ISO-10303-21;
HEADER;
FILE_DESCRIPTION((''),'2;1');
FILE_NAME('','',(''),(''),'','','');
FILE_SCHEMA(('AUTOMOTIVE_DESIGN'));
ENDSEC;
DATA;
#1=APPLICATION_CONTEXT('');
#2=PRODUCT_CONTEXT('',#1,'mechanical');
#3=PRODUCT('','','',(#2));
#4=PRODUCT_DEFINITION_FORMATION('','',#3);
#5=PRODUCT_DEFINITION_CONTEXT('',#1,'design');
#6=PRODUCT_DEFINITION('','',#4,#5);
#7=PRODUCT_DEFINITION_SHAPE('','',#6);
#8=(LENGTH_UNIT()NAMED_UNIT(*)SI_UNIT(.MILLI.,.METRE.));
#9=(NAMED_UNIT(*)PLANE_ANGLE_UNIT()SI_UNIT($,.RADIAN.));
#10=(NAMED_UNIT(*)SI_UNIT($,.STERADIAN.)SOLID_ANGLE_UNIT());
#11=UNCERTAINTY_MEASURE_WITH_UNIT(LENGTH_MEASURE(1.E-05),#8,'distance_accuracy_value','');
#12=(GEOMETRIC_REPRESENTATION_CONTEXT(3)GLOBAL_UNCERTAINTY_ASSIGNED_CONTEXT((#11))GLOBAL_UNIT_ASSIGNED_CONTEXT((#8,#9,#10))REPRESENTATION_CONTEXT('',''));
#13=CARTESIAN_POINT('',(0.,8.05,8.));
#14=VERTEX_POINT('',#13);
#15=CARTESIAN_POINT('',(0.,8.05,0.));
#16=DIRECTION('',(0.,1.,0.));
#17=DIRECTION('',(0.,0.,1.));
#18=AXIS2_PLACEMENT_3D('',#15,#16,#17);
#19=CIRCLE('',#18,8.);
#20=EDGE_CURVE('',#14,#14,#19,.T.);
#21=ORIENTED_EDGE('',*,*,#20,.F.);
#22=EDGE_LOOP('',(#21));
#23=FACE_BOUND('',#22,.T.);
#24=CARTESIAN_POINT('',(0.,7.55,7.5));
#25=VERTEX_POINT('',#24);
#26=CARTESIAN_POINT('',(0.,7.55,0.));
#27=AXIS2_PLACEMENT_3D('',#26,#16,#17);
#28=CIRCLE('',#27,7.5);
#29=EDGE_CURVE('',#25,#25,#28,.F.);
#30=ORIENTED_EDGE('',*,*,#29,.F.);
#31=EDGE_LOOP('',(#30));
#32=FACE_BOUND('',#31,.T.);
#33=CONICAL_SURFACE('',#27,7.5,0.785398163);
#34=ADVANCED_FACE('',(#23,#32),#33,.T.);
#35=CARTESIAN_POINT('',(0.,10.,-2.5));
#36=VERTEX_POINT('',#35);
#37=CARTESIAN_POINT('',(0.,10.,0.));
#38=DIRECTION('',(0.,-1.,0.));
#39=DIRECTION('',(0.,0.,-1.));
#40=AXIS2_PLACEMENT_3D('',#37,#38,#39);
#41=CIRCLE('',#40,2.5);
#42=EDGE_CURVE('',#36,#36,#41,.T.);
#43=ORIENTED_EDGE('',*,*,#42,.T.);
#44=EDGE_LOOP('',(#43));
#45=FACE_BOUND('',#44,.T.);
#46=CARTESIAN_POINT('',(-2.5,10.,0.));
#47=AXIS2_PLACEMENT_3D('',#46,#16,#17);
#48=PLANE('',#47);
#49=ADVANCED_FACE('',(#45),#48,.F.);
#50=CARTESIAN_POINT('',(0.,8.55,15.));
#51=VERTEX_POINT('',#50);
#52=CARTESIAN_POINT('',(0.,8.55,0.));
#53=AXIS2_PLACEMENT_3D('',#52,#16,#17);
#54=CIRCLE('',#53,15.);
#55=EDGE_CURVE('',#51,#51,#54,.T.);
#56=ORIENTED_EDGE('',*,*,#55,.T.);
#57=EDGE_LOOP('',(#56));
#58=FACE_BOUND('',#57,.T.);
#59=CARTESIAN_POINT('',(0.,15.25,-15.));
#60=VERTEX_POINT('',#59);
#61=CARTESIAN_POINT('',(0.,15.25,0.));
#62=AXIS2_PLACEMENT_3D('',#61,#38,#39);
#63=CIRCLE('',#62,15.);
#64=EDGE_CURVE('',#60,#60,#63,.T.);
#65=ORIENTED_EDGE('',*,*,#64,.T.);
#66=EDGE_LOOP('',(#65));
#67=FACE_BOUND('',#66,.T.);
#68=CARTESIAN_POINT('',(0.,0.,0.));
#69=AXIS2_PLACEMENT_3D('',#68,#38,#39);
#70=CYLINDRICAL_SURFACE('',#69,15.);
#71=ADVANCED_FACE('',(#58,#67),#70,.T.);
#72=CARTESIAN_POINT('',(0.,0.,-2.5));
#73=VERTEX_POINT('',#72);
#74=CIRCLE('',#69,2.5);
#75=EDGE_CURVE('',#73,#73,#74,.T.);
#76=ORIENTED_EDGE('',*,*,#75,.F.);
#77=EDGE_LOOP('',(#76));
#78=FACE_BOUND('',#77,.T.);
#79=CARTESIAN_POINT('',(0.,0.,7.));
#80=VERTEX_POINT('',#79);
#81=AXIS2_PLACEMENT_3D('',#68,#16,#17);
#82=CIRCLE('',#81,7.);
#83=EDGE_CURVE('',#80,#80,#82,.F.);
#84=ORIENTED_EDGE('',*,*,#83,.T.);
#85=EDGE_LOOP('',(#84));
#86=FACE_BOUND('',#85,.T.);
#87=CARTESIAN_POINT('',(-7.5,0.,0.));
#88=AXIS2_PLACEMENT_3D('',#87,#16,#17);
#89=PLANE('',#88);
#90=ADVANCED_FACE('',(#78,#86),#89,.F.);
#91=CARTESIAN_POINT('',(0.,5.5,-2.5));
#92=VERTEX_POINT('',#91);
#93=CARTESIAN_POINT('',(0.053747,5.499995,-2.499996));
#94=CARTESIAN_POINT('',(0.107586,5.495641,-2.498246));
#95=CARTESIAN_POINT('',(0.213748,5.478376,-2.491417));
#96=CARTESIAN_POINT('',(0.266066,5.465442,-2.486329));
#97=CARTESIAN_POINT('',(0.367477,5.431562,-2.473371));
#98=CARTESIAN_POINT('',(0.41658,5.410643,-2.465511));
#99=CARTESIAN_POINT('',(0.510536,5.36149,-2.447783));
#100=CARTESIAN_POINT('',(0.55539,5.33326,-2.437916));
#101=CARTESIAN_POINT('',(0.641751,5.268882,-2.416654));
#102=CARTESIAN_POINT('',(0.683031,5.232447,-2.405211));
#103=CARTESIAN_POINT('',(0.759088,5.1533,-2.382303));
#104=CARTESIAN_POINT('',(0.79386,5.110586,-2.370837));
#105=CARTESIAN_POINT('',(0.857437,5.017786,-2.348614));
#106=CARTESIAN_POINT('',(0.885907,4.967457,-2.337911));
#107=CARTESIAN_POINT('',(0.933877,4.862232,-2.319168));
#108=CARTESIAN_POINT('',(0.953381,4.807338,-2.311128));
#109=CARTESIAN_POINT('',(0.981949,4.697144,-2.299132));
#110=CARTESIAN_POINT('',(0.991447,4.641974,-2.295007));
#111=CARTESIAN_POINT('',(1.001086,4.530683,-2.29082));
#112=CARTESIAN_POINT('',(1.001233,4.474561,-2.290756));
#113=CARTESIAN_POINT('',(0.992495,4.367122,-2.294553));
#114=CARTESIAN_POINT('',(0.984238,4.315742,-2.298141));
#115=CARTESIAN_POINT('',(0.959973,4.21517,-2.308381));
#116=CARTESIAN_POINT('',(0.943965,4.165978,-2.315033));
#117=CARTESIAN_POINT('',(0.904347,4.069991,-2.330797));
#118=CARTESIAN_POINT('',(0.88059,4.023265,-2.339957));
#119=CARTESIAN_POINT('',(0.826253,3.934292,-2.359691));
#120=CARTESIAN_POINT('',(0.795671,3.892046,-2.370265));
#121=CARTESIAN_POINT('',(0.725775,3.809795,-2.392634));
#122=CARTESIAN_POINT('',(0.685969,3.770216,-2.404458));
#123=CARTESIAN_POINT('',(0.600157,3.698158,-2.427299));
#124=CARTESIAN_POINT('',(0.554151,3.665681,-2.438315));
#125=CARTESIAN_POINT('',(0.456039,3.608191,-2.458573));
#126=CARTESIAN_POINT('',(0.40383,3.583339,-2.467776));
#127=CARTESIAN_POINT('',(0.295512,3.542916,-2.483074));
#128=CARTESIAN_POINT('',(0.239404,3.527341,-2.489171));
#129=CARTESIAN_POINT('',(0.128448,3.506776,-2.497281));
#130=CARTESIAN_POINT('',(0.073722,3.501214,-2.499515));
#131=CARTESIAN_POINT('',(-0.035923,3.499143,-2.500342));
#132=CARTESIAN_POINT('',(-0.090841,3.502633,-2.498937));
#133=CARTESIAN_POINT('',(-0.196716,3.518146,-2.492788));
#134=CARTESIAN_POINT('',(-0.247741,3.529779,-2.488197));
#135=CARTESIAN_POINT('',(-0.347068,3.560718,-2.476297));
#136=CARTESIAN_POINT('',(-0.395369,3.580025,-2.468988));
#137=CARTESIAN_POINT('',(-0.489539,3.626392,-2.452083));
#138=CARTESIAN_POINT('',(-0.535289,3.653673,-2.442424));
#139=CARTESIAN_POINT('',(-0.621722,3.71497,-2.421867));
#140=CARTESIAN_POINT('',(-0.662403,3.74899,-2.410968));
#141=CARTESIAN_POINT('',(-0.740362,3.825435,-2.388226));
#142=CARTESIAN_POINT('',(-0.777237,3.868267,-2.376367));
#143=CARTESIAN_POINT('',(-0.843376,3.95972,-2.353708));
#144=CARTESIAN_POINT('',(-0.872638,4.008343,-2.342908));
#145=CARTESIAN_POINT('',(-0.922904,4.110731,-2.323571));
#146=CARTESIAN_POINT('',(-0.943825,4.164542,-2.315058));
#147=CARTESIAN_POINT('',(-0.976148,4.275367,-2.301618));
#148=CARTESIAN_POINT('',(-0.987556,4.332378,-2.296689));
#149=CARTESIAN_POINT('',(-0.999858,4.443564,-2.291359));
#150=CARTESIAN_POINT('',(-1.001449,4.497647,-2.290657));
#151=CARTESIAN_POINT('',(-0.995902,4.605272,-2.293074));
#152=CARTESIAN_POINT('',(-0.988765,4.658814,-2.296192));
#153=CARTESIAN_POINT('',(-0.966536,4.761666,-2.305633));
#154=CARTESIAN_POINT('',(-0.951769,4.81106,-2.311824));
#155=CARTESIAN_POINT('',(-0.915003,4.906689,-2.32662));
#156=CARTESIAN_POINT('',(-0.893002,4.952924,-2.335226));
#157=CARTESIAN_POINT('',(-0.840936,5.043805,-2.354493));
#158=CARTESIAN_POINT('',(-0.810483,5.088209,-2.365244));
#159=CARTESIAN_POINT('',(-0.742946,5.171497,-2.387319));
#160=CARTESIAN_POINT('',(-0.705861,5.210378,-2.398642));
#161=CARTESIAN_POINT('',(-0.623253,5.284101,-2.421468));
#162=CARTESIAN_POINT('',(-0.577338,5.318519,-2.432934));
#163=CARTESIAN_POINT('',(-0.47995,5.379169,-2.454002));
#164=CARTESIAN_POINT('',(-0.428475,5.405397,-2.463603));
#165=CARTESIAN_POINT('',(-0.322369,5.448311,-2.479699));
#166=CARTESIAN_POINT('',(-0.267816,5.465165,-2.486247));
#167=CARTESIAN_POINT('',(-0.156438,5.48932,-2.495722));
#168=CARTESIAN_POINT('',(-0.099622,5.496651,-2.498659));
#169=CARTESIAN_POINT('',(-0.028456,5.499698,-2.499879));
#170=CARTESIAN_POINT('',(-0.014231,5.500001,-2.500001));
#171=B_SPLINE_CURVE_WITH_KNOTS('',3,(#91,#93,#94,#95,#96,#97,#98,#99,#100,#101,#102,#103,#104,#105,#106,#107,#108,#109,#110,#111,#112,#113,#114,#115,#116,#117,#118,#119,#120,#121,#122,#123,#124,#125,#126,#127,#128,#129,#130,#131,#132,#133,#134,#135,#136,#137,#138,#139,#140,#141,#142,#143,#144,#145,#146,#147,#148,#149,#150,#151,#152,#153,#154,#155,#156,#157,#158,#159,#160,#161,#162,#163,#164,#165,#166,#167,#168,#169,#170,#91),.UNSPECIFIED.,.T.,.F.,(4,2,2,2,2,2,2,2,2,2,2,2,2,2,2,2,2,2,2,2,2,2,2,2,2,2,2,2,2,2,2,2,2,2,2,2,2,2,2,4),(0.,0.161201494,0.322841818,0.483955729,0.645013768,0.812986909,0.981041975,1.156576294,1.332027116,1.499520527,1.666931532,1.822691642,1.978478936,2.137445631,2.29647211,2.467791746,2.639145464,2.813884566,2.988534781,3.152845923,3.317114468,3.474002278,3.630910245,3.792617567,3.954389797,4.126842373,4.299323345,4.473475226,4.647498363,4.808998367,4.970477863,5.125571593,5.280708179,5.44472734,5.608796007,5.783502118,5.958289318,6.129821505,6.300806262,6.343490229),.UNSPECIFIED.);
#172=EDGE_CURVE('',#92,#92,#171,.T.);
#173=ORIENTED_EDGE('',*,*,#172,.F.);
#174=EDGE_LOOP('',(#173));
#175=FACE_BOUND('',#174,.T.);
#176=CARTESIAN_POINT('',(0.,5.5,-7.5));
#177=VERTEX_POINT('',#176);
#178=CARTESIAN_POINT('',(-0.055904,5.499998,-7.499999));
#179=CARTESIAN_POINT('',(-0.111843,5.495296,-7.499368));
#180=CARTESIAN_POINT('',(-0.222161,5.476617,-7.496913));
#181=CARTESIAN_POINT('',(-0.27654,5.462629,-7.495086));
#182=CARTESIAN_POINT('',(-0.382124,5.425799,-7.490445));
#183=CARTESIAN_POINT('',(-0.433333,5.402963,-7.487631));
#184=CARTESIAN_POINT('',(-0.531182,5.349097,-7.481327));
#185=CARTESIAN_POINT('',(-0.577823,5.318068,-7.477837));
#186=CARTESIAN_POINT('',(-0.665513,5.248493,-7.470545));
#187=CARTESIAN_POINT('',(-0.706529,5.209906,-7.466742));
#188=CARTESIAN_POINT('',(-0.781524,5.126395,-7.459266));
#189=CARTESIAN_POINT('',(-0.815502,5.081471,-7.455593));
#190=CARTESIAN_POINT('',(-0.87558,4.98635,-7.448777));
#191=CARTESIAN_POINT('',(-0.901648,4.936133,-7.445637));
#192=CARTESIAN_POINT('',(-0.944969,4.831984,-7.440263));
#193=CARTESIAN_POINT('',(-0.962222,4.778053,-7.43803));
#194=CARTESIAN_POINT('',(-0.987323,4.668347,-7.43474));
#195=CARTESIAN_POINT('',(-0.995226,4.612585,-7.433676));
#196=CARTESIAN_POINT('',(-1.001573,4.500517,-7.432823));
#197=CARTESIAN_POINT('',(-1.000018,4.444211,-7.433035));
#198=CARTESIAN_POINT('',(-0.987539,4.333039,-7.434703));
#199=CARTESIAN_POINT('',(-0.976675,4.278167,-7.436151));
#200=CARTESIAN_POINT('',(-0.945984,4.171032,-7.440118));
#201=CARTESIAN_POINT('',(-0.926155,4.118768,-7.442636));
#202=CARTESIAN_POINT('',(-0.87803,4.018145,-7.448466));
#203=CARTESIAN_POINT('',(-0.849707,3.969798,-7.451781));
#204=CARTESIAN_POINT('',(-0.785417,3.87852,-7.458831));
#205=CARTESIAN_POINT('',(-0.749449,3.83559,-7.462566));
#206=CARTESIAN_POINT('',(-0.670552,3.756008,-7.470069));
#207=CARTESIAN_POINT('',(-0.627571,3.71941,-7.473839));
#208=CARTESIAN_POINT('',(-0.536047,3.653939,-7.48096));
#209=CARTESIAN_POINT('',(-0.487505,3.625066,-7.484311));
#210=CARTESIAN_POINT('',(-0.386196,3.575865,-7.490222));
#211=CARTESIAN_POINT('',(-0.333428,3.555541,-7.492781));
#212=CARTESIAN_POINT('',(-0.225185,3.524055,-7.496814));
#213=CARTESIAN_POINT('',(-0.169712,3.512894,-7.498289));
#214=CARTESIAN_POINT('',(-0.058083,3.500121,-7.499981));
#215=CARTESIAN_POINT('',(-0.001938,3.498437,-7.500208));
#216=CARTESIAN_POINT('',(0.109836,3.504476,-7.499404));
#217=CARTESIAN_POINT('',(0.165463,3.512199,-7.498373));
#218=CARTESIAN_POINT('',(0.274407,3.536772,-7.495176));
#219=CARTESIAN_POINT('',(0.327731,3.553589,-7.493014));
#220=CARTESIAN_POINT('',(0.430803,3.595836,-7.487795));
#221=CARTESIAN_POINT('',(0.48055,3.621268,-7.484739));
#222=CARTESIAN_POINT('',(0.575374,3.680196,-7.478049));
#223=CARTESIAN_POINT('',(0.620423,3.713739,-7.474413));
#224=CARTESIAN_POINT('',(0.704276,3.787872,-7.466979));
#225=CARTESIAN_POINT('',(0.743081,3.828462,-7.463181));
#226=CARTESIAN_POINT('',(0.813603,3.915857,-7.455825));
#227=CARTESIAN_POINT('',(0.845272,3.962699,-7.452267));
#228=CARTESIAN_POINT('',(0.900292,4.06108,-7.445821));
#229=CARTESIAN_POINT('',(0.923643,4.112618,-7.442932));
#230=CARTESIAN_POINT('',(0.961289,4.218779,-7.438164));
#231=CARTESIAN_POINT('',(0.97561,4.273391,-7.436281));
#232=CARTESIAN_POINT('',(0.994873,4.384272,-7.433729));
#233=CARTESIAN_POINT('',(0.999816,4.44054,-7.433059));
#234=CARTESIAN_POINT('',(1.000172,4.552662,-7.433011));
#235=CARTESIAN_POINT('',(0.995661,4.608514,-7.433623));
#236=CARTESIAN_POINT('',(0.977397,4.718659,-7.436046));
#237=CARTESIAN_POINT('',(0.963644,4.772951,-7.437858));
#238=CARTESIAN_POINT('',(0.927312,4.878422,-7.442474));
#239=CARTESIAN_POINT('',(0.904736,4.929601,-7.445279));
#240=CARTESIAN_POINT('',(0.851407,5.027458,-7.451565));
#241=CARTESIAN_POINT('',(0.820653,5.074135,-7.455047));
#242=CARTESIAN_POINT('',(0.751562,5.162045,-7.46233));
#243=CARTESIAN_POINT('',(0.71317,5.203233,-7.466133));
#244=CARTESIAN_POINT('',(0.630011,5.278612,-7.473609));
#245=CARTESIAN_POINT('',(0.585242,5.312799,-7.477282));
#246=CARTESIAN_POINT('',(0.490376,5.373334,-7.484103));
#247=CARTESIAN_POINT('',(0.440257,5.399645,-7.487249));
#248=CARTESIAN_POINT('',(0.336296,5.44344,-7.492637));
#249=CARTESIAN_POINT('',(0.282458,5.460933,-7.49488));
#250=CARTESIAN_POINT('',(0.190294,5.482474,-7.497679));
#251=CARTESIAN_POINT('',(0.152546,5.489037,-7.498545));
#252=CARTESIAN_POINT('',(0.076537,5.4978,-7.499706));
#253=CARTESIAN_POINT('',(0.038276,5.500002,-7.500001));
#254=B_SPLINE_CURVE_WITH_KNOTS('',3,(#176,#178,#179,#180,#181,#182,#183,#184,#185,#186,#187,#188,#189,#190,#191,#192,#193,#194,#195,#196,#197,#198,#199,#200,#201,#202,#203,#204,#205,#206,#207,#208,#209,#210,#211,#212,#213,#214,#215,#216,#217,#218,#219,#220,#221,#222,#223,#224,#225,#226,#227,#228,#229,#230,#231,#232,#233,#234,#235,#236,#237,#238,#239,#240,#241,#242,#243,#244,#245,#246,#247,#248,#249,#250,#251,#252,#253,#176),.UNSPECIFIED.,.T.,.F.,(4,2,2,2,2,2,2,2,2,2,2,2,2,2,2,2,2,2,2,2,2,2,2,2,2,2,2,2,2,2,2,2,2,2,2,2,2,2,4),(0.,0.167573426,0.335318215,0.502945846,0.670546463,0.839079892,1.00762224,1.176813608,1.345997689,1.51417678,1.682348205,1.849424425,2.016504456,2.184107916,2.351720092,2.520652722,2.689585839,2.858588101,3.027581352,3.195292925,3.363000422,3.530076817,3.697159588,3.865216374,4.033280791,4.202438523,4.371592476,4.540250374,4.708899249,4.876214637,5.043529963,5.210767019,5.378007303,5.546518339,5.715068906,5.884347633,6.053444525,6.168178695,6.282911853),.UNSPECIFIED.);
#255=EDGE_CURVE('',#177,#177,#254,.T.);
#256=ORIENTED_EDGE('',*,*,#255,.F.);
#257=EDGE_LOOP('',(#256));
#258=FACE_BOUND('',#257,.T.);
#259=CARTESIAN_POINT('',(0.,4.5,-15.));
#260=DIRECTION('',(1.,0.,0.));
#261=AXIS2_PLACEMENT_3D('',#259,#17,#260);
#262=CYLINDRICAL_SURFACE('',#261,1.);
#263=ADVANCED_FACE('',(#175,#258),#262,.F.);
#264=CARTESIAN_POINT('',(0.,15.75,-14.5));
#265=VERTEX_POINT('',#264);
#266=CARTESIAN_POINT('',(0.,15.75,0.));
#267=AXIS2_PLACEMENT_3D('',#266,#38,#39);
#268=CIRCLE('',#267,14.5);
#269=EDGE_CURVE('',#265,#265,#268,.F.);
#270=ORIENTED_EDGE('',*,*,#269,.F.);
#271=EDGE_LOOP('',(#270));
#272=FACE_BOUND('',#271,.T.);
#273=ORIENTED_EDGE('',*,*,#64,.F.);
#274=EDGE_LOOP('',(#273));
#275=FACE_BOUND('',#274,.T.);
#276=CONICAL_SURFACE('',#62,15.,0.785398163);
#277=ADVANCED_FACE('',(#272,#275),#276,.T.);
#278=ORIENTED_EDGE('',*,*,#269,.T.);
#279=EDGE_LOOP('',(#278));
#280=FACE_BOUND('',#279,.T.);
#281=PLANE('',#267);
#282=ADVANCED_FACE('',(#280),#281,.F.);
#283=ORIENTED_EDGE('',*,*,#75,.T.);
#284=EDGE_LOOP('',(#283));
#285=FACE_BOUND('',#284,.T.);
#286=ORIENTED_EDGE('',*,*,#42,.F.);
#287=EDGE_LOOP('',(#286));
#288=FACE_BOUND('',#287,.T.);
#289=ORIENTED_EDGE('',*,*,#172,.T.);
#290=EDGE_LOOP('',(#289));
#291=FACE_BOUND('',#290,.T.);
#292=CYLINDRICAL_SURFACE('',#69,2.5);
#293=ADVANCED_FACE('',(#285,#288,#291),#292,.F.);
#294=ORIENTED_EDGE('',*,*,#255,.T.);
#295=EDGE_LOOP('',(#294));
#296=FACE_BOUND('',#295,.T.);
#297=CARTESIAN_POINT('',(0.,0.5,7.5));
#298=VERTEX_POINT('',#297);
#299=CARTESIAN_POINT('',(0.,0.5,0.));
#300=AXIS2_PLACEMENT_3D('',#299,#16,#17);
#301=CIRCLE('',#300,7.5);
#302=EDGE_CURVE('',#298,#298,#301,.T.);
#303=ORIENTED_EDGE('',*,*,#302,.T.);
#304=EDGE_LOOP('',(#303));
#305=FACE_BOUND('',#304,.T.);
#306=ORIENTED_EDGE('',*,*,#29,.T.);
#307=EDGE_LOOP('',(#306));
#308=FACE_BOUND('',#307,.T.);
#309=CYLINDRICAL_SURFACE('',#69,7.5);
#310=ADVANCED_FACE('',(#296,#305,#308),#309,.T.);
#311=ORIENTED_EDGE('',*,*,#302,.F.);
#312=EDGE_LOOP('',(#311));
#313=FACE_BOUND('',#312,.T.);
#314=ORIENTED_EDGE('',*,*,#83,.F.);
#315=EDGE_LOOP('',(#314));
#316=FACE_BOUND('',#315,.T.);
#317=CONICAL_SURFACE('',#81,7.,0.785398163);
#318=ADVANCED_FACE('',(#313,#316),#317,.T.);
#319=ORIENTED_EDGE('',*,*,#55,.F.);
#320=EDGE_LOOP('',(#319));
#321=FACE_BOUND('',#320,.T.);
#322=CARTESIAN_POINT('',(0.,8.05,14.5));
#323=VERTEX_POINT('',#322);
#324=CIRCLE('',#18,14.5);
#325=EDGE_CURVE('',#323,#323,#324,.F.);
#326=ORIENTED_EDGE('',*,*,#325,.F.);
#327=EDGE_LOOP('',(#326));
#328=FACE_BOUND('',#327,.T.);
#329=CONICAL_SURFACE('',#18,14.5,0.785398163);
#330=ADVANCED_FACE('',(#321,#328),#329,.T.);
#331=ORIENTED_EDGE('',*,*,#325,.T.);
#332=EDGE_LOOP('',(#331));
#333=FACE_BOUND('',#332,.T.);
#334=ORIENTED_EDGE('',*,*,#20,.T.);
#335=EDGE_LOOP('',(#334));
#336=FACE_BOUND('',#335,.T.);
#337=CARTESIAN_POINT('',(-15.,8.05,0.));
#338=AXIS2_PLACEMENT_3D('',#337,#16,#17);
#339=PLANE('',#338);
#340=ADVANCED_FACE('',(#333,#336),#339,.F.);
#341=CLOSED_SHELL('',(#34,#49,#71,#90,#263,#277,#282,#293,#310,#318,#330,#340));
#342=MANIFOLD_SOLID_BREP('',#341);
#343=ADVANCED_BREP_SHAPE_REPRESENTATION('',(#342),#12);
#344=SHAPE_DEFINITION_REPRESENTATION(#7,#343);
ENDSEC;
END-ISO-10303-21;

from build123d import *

# Parameters (mm, degrees)
CHAMFER1_SIZE      = 0.5
SKETCH2_R          = 1
CUT_EXTRUDE1_DEPTH = 27.420872431


with BuildPart() as part:
    # Sketch1 → Revolve1 (revolve)
    with BuildSketch(Plane.XY):
        Polygon((0, 15.75), (-15, 15.75), (-15, 8.05), (-7.5, 8.05), (-7.5, 0), (-2.5, 0), (-2.5, 10), (0, 10), align=None)
    revolve(axis=Axis((0, 0, 0), (0, 1, 0)))

    # Chamfer1
    chamfer1_edges = [part.edges().sort_by_distance(p)[0] for p in [
        (7.5, 0, 0),
        (7.5, 8.05, 0),
        (15, 8.05, 0),
        (15, 15.75, 0),
    ]]
    chamfer(chamfer1_edges, length=CHAMFER1_SIZE)

    # Sketch2 → Cut-Extrude1 (cut, through all)
    with BuildSketch(Plane.XY):
        with Locations((0, 4.5)):
            Circle(SKETCH2_R)
    extrude(amount=-CUT_EXTRUDE1_DEPTH, mode=Mode.SUBTRACT)


solid = part.part
